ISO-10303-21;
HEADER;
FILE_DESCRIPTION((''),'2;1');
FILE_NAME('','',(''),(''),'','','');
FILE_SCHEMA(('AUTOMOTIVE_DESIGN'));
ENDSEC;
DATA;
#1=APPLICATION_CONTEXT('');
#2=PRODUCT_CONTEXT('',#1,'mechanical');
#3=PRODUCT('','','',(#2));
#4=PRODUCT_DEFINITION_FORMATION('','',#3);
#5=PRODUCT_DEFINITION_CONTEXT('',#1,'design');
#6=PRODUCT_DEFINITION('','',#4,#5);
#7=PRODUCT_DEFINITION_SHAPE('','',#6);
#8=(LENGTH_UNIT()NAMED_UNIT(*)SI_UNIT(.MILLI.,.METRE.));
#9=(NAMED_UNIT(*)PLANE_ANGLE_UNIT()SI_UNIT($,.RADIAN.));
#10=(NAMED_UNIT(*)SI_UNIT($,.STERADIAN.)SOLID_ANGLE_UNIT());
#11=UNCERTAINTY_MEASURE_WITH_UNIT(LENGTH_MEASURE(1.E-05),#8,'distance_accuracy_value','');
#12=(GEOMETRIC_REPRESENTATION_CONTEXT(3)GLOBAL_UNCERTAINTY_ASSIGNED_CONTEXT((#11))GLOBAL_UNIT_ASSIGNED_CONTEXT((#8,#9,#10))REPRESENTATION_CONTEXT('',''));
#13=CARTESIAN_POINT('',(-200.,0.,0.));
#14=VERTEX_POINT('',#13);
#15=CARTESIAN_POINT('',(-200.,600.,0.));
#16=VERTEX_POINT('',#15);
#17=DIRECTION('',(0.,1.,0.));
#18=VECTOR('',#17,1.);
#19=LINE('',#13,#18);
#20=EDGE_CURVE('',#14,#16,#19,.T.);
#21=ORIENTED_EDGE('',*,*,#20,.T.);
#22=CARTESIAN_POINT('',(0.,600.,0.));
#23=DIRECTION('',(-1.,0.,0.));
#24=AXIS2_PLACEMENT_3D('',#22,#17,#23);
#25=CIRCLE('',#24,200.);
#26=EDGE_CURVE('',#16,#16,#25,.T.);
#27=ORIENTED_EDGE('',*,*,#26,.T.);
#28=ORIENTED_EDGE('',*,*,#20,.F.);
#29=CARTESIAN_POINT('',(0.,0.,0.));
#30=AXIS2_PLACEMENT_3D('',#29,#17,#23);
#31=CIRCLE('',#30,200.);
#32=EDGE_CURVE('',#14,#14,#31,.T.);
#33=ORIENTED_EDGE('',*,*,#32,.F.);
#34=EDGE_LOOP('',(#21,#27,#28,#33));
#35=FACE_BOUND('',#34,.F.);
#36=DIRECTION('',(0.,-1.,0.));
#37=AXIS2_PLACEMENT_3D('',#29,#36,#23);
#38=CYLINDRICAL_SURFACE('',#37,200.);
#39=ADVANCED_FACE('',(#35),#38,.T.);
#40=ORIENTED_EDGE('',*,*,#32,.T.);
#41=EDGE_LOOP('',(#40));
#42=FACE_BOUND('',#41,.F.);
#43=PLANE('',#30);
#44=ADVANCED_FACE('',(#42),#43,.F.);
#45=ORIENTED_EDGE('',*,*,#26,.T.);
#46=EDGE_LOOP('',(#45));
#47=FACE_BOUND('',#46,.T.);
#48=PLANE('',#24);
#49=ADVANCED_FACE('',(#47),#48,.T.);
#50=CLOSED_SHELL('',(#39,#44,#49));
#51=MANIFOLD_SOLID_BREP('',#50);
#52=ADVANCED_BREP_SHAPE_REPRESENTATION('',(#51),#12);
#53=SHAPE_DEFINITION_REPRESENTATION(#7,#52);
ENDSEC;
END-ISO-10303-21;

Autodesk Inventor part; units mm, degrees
ref_plane "YZ Plane" through (0, 0, 0) normal (1, 0, 0) x (0, 1, 0)
ref_plane "XZ Plane" through (0, 0, 0) normal (0, 1, 0) x (-1, 0, 0)
ref_plane "XY Plane" through (0, 0, 0) normal (0, 0, 1) x (1, 0, 0)
sketch "Sketch1" plane through (0, 0, 0) normal (0, 1, 0) x (-1, 0, 0)
  line L0 (711.2, 0) -> (-711.2, 0) construction
  line L1 (0, -711.2) -> (0, 711.2) construction
  circle A0 centre (0, 0) radius 200
  dimension "d0" = 400
extrude "Extrusion1" add sketch "Sketch1" along normal blind 600
equation "\"d0\" = Dia"
equation "\"d1\" = Height"
equation "\"Dia\" = 400"
equation "\"Height\" = 600"
properties part number "Cylinder-sizing (plug-demo1)"
